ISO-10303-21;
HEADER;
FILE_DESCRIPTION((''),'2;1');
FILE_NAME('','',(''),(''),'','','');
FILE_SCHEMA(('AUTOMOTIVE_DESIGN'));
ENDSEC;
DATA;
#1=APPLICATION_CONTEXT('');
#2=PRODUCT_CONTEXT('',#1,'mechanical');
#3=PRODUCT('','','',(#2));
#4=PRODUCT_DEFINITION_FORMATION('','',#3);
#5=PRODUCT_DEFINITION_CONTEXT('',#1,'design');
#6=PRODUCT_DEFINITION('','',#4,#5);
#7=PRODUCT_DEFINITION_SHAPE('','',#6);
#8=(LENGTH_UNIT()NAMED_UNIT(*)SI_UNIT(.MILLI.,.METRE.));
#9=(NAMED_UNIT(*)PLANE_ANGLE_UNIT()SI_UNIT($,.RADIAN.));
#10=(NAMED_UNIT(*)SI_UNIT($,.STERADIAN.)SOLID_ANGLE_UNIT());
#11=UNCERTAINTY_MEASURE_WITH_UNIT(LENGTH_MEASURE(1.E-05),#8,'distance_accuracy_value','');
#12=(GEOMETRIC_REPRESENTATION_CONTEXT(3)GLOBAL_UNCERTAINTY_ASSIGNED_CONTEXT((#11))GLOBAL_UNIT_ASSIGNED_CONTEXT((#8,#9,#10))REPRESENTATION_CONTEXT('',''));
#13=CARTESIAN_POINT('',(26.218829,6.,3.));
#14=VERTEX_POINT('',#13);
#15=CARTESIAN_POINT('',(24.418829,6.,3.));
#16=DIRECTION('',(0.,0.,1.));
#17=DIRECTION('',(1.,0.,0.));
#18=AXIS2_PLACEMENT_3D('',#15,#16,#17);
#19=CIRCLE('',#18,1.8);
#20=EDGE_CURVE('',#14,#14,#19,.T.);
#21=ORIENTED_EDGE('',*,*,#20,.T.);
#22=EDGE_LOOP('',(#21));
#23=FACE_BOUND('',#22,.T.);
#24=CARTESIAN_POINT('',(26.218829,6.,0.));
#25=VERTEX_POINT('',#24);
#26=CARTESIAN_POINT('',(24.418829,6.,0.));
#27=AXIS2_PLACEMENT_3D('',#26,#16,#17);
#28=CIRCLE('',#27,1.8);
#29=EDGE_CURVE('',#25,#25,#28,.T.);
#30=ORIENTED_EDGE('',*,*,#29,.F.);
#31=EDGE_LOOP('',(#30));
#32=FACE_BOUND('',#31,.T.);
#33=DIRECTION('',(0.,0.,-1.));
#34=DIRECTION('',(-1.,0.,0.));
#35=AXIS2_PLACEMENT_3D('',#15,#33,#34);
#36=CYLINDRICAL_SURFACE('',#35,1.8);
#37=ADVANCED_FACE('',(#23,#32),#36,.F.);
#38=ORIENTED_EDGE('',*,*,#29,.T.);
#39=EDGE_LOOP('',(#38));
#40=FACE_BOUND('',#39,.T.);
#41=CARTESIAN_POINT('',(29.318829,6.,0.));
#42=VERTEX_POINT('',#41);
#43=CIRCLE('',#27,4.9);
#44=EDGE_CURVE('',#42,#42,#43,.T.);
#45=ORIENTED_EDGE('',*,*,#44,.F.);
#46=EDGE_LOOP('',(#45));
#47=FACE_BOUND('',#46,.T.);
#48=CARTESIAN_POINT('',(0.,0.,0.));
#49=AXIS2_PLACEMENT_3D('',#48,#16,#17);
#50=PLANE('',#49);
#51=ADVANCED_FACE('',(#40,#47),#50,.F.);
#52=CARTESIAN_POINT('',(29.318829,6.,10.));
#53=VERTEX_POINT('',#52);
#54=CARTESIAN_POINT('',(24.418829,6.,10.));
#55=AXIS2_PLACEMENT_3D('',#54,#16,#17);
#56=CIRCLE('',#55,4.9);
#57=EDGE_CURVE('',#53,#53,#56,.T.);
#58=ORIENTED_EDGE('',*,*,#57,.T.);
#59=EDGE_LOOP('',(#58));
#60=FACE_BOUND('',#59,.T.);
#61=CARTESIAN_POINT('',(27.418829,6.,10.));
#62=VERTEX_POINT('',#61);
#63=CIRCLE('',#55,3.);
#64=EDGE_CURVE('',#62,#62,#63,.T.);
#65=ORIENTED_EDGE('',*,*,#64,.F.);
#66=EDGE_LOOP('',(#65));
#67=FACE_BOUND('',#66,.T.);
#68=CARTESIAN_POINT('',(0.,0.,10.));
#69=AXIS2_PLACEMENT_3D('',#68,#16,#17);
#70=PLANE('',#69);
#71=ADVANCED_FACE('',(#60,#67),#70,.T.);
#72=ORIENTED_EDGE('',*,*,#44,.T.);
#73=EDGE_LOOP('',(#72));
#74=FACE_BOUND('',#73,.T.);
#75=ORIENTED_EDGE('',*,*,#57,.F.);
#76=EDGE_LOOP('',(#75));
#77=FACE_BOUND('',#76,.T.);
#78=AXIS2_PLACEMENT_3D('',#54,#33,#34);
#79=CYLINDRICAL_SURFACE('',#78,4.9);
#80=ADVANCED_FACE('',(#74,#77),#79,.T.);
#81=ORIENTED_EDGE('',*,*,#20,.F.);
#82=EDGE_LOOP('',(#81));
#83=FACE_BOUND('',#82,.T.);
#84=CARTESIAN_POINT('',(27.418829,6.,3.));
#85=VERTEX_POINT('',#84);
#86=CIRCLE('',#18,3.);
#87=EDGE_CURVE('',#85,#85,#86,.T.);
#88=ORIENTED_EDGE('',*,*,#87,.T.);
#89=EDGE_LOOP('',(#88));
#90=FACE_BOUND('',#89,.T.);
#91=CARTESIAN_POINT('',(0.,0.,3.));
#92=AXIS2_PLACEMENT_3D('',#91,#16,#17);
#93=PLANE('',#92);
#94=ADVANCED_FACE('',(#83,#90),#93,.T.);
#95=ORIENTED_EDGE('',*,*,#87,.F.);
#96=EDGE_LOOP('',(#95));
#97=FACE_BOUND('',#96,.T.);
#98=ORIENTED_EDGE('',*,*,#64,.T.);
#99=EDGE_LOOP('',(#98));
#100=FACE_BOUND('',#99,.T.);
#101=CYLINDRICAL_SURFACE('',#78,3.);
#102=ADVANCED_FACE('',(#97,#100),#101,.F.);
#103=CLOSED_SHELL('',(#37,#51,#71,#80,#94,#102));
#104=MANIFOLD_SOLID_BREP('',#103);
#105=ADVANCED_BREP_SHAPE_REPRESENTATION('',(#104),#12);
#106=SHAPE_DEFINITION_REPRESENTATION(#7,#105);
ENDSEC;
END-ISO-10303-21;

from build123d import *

# Parameters (mm, degrees)
SKETCH2_R           = 4.9
SKETCH2_R_2         = 3
BOSS_EXTRUDE1_DEPTH = 10
SKETCH2_3_R         = 3
SKETCH2_3_R_2       = 1.8
BOSS_EXTRUDE2_DEPTH = 3


with BuildPart() as part:
    # Sketch2 → Boss-Extrude1 (new body)
    with BuildSketch(Plane.XY):
        with Locations((24.418828758, 6)):
            Circle(SKETCH2_R)
        with Locations((24.418828758, 6)):
            Circle(SKETCH2_R_2, mode=Mode.SUBTRACT)
    extrude(amount=BOSS_EXTRUDE1_DEPTH)

    # Sketch2<3> → Boss-Extrude2 (add)
    with BuildSketch(Plane.XY):
        with Locations((24.418828758, 6)):
            Circle(SKETCH2_3_R)
        with Locations((24.418828758, 6)):
            Circle(SKETCH2_3_R_2, mode=Mode.SUBTRACT)
    extrude(amount=BOSS_EXTRUDE2_DEPTH)


solid = part.part
